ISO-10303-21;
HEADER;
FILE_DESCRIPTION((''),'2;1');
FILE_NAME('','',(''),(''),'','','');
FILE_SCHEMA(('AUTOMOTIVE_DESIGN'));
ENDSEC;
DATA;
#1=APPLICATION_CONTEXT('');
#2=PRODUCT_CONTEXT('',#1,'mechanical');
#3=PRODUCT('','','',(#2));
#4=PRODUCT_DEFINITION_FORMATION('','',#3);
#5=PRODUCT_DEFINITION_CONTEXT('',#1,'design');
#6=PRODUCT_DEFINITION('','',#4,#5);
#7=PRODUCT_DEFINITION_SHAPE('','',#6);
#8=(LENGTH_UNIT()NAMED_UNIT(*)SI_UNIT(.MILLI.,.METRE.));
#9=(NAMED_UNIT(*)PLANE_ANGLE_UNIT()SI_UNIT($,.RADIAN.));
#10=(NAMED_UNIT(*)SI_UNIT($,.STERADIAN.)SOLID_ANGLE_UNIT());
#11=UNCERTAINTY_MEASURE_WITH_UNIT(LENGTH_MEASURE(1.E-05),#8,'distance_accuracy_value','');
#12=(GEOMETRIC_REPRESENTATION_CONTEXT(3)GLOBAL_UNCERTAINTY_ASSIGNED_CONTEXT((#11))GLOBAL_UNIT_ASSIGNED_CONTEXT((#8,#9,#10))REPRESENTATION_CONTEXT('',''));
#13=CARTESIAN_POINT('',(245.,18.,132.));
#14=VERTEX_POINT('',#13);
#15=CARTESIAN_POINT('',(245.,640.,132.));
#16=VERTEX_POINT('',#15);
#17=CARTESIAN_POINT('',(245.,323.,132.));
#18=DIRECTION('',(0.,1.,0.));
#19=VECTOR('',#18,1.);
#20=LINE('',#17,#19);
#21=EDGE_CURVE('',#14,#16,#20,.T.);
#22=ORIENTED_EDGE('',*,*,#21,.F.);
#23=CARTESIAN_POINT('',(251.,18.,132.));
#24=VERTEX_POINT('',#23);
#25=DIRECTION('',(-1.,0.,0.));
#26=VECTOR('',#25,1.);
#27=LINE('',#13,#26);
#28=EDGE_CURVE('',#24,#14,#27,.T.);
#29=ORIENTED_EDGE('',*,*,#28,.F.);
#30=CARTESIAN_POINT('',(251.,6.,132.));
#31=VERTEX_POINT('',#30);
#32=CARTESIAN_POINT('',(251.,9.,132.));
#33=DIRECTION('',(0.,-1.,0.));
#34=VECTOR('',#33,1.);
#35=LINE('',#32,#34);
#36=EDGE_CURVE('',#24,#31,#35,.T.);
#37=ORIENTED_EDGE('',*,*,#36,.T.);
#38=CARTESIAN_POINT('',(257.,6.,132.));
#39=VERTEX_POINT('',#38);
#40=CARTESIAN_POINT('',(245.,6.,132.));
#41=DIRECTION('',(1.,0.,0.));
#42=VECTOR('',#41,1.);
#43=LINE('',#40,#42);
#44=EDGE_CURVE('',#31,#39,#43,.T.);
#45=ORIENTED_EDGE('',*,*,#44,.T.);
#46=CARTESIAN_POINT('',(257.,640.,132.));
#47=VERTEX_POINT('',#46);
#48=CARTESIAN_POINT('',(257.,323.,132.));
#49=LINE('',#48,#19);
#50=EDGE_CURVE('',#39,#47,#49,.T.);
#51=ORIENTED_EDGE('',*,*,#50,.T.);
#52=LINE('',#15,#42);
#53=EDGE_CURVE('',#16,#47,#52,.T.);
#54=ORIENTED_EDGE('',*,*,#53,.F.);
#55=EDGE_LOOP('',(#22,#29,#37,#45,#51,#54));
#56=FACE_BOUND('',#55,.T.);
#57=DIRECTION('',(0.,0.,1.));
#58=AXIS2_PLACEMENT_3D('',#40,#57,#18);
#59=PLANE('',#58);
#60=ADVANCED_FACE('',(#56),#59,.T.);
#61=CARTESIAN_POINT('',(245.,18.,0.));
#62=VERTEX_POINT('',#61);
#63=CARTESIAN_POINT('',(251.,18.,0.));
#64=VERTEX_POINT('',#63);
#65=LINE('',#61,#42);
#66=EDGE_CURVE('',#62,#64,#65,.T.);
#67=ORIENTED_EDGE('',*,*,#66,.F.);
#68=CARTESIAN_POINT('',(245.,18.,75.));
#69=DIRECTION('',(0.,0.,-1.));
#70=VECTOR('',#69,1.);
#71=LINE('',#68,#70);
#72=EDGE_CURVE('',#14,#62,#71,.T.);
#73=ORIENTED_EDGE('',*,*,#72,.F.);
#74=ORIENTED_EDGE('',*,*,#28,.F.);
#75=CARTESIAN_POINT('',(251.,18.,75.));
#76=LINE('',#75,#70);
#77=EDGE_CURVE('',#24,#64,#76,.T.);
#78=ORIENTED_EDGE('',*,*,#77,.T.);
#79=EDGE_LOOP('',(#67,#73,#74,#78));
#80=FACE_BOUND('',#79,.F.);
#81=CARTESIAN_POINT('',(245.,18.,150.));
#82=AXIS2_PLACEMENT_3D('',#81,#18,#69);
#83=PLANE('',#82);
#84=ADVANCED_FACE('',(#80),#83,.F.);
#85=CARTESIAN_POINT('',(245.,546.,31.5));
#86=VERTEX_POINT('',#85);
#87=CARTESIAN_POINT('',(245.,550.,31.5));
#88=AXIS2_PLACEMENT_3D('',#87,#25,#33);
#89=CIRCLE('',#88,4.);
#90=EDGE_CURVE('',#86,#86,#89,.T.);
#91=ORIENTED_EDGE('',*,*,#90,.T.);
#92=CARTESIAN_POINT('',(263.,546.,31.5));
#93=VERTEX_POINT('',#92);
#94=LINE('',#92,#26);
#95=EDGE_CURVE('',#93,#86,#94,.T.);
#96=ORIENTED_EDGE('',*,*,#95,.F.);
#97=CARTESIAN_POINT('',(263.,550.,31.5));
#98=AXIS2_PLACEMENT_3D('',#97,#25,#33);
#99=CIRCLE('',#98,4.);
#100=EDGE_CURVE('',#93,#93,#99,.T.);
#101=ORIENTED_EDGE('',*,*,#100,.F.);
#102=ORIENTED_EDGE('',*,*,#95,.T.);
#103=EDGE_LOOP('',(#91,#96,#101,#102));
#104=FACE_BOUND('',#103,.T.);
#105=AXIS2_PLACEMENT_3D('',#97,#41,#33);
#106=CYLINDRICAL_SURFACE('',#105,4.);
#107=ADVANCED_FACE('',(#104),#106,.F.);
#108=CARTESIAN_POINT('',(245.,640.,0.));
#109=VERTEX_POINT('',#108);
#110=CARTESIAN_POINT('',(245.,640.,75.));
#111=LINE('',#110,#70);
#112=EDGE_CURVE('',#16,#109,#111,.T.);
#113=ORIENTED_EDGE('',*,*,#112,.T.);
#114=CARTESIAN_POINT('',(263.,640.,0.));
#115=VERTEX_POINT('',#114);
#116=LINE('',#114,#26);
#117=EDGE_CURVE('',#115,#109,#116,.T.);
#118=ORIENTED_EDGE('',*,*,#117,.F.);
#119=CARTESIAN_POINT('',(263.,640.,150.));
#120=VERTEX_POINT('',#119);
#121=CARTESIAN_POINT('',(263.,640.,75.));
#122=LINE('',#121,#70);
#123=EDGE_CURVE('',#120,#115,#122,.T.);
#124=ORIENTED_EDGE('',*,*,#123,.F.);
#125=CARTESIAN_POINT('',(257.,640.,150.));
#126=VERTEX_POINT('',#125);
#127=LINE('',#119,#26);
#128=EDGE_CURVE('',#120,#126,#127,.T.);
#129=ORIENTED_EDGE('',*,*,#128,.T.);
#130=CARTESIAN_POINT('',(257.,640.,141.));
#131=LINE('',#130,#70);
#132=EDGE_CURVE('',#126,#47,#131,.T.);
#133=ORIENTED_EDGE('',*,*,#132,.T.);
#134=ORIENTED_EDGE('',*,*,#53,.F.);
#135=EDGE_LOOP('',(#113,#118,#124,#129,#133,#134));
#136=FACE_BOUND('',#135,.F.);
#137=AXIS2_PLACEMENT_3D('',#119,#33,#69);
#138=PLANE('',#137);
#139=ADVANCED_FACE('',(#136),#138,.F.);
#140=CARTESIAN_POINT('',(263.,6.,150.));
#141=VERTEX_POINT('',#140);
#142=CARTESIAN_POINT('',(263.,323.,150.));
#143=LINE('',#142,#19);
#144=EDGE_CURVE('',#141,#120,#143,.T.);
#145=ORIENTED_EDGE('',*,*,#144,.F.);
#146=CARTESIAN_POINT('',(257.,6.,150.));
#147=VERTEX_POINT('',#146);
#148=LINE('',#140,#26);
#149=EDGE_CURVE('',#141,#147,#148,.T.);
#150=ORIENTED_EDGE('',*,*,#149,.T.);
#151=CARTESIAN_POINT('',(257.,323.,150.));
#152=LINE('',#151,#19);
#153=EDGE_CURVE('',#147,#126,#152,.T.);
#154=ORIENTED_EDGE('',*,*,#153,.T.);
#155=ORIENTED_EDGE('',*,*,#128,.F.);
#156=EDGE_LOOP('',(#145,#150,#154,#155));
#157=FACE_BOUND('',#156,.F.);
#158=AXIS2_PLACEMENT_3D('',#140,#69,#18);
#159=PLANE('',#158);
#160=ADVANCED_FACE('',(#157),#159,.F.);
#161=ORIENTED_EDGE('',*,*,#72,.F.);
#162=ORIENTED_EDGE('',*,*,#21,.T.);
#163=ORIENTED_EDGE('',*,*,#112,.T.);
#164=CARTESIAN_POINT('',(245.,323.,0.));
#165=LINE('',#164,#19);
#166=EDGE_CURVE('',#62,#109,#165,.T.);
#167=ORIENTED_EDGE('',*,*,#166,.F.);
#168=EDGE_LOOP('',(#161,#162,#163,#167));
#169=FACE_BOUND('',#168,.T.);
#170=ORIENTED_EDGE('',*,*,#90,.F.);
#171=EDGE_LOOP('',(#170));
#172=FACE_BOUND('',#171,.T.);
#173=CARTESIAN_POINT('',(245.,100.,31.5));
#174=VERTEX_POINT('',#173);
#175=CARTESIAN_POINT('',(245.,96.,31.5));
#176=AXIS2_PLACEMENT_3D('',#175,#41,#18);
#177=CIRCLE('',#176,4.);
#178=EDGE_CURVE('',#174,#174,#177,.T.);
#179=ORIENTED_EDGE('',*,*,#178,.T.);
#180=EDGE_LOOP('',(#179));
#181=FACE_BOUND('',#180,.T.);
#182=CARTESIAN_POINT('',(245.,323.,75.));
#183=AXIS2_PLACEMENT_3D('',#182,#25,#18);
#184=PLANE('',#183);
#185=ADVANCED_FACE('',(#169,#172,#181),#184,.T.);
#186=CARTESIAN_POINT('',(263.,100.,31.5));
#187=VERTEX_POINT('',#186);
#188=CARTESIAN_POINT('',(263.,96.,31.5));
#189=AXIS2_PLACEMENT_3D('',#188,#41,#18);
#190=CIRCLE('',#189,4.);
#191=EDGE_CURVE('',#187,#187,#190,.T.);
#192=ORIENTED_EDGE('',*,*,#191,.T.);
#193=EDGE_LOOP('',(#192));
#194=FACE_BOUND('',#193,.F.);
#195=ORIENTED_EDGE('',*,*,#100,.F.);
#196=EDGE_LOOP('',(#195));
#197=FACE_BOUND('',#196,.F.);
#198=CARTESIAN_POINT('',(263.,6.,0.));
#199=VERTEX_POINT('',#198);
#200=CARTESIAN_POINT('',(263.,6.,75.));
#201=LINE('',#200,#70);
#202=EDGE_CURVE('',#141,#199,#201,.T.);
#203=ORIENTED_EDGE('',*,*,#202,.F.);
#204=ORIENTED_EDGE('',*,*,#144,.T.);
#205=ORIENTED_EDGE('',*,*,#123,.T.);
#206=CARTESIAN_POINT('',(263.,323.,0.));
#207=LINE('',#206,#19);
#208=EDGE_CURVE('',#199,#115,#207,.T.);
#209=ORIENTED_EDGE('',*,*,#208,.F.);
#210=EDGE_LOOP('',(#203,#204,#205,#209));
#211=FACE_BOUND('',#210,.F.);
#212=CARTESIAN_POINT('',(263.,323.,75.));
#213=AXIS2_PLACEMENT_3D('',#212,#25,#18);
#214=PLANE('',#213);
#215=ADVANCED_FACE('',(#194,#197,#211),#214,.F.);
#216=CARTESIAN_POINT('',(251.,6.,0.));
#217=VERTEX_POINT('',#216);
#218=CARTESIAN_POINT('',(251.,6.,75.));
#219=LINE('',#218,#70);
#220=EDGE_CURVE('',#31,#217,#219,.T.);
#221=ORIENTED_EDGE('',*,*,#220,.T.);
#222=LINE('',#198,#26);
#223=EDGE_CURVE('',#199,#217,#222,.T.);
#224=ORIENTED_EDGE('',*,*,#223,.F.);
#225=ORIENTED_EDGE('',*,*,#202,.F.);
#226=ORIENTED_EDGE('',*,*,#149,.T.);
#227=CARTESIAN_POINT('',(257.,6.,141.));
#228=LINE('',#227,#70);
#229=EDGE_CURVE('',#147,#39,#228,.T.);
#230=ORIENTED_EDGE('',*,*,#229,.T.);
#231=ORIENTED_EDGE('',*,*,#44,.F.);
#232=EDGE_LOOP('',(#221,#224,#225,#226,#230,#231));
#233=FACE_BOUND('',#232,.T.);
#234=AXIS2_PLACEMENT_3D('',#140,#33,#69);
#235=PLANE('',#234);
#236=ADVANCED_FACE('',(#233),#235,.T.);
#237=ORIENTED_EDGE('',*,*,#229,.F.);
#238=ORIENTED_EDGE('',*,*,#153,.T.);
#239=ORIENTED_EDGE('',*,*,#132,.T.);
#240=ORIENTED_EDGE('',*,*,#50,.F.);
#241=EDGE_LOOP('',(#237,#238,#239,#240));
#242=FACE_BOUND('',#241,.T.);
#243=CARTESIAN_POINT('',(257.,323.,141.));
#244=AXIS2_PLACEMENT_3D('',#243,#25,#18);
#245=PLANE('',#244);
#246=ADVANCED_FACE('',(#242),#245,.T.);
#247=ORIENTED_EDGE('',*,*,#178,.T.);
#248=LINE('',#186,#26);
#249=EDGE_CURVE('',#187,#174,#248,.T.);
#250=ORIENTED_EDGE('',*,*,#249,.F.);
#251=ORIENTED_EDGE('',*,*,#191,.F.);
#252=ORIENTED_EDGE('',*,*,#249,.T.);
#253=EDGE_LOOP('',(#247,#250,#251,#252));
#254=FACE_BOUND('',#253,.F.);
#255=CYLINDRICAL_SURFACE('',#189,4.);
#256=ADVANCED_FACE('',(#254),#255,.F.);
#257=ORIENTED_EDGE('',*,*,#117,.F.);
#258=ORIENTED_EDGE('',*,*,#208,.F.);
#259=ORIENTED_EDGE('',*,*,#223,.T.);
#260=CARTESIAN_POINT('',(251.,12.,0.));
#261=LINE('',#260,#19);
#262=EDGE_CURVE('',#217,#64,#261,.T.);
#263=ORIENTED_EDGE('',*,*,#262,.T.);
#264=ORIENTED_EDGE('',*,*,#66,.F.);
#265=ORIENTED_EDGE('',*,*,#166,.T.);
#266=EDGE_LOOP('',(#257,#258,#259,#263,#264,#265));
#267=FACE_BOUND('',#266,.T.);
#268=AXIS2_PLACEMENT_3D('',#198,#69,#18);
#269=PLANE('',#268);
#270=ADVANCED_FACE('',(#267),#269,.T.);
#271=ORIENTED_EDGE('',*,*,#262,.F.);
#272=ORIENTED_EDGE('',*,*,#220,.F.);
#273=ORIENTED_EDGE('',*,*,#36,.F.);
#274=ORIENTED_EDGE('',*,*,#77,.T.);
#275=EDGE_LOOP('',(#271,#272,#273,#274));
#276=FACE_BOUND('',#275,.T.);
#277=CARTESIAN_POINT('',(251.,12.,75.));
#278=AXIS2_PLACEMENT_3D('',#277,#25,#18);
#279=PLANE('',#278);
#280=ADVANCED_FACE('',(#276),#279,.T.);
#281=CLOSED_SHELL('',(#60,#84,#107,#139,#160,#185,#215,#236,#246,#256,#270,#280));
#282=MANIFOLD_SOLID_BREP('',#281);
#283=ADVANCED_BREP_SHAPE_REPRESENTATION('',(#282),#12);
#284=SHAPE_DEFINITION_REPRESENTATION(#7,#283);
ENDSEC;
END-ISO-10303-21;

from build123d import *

# Parameters (mm, degrees)
SKETCH032_W             = 634
SKETCH032_H             = 150
PAD012_DEPTH            = 18
SKETCH033_W             = 634
SKETCH033_H             = 18
POCKET020_DEPTH         = 12
SKETCH034_W             = 12
SKETCH034_H             = 150
POCKET021_DEPTH         = 6
SKETCH040_R             = 4
POCKET024_DEPTH         = 18
BODY011_ROLL_ANGLE      = -90
BODY011_PLACEMENT_ANGLE = 90


with BuildPart() as part:
    # Sketch032 → Pad012 (new body)
    with BuildSketch(Plane.XY):
        with Locations((0, 75)):
            Rectangle(SKETCH032_W, SKETCH032_H)
    extrude(amount=PAD012_DEPTH)

    # Sketch033 (on Face6 of Pad012) → Pocket020 (cut)
    with BuildSketch(Plane.XY.offset(18)):
        with Locations((0, 9)):
            Rectangle(SKETCH033_W, SKETCH033_H)
    extrude(amount=-POCKET020_DEPTH, mode=Mode.SUBTRACT)

    # Sketch034 (on Face5 of Pocket020) → Pocket021 (cut)
    with BuildSketch(Plane.XY.offset(18)):
        with Locations((-311, 75)):
            Rectangle(SKETCH034_W, SKETCH034_H)
    extrude(amount=-POCKET021_DEPTH, mode=Mode.SUBTRACT)

    # Sketch040 (on Face2 of Pocket021) → Pocket024 (cut)
    with BuildSketch(Plane(origin=(0, 0, 0), x_dir=(1, 0, 0), z_dir=(0, 0, -1))):
        with Locations((-227, -118.5)):
            Circle(SKETCH040_R)
    pocket024 = extrude(amount=-POCKET024_DEPTH, mode=Mode.SUBTRACT)

    # Mirrored009: Pocket024 across Sketch040 V_Axis
    add(pocket024.mirror(Plane(origin=(0, 0, 0), x_dir=(0, 0, -1), z_dir=(1, 0, 0))), mode=Mode.SUBTRACT)


with BuildPart() as part_1:
    # Body011 roll: moved
    add(part.part.rotate(Axis((0, 0, 0), (1, 0, 0)), BODY011_ROLL_ANGLE))


with BuildPart() as part_2:
    # Body011 placement: moved
    add(part_1.part.moved(Location((263, 323, 150))).rotate(Axis((263, 323, 150), (0, 0, 1)), BODY011_PLACEMENT_ANGLE))


solid = part_2.part
